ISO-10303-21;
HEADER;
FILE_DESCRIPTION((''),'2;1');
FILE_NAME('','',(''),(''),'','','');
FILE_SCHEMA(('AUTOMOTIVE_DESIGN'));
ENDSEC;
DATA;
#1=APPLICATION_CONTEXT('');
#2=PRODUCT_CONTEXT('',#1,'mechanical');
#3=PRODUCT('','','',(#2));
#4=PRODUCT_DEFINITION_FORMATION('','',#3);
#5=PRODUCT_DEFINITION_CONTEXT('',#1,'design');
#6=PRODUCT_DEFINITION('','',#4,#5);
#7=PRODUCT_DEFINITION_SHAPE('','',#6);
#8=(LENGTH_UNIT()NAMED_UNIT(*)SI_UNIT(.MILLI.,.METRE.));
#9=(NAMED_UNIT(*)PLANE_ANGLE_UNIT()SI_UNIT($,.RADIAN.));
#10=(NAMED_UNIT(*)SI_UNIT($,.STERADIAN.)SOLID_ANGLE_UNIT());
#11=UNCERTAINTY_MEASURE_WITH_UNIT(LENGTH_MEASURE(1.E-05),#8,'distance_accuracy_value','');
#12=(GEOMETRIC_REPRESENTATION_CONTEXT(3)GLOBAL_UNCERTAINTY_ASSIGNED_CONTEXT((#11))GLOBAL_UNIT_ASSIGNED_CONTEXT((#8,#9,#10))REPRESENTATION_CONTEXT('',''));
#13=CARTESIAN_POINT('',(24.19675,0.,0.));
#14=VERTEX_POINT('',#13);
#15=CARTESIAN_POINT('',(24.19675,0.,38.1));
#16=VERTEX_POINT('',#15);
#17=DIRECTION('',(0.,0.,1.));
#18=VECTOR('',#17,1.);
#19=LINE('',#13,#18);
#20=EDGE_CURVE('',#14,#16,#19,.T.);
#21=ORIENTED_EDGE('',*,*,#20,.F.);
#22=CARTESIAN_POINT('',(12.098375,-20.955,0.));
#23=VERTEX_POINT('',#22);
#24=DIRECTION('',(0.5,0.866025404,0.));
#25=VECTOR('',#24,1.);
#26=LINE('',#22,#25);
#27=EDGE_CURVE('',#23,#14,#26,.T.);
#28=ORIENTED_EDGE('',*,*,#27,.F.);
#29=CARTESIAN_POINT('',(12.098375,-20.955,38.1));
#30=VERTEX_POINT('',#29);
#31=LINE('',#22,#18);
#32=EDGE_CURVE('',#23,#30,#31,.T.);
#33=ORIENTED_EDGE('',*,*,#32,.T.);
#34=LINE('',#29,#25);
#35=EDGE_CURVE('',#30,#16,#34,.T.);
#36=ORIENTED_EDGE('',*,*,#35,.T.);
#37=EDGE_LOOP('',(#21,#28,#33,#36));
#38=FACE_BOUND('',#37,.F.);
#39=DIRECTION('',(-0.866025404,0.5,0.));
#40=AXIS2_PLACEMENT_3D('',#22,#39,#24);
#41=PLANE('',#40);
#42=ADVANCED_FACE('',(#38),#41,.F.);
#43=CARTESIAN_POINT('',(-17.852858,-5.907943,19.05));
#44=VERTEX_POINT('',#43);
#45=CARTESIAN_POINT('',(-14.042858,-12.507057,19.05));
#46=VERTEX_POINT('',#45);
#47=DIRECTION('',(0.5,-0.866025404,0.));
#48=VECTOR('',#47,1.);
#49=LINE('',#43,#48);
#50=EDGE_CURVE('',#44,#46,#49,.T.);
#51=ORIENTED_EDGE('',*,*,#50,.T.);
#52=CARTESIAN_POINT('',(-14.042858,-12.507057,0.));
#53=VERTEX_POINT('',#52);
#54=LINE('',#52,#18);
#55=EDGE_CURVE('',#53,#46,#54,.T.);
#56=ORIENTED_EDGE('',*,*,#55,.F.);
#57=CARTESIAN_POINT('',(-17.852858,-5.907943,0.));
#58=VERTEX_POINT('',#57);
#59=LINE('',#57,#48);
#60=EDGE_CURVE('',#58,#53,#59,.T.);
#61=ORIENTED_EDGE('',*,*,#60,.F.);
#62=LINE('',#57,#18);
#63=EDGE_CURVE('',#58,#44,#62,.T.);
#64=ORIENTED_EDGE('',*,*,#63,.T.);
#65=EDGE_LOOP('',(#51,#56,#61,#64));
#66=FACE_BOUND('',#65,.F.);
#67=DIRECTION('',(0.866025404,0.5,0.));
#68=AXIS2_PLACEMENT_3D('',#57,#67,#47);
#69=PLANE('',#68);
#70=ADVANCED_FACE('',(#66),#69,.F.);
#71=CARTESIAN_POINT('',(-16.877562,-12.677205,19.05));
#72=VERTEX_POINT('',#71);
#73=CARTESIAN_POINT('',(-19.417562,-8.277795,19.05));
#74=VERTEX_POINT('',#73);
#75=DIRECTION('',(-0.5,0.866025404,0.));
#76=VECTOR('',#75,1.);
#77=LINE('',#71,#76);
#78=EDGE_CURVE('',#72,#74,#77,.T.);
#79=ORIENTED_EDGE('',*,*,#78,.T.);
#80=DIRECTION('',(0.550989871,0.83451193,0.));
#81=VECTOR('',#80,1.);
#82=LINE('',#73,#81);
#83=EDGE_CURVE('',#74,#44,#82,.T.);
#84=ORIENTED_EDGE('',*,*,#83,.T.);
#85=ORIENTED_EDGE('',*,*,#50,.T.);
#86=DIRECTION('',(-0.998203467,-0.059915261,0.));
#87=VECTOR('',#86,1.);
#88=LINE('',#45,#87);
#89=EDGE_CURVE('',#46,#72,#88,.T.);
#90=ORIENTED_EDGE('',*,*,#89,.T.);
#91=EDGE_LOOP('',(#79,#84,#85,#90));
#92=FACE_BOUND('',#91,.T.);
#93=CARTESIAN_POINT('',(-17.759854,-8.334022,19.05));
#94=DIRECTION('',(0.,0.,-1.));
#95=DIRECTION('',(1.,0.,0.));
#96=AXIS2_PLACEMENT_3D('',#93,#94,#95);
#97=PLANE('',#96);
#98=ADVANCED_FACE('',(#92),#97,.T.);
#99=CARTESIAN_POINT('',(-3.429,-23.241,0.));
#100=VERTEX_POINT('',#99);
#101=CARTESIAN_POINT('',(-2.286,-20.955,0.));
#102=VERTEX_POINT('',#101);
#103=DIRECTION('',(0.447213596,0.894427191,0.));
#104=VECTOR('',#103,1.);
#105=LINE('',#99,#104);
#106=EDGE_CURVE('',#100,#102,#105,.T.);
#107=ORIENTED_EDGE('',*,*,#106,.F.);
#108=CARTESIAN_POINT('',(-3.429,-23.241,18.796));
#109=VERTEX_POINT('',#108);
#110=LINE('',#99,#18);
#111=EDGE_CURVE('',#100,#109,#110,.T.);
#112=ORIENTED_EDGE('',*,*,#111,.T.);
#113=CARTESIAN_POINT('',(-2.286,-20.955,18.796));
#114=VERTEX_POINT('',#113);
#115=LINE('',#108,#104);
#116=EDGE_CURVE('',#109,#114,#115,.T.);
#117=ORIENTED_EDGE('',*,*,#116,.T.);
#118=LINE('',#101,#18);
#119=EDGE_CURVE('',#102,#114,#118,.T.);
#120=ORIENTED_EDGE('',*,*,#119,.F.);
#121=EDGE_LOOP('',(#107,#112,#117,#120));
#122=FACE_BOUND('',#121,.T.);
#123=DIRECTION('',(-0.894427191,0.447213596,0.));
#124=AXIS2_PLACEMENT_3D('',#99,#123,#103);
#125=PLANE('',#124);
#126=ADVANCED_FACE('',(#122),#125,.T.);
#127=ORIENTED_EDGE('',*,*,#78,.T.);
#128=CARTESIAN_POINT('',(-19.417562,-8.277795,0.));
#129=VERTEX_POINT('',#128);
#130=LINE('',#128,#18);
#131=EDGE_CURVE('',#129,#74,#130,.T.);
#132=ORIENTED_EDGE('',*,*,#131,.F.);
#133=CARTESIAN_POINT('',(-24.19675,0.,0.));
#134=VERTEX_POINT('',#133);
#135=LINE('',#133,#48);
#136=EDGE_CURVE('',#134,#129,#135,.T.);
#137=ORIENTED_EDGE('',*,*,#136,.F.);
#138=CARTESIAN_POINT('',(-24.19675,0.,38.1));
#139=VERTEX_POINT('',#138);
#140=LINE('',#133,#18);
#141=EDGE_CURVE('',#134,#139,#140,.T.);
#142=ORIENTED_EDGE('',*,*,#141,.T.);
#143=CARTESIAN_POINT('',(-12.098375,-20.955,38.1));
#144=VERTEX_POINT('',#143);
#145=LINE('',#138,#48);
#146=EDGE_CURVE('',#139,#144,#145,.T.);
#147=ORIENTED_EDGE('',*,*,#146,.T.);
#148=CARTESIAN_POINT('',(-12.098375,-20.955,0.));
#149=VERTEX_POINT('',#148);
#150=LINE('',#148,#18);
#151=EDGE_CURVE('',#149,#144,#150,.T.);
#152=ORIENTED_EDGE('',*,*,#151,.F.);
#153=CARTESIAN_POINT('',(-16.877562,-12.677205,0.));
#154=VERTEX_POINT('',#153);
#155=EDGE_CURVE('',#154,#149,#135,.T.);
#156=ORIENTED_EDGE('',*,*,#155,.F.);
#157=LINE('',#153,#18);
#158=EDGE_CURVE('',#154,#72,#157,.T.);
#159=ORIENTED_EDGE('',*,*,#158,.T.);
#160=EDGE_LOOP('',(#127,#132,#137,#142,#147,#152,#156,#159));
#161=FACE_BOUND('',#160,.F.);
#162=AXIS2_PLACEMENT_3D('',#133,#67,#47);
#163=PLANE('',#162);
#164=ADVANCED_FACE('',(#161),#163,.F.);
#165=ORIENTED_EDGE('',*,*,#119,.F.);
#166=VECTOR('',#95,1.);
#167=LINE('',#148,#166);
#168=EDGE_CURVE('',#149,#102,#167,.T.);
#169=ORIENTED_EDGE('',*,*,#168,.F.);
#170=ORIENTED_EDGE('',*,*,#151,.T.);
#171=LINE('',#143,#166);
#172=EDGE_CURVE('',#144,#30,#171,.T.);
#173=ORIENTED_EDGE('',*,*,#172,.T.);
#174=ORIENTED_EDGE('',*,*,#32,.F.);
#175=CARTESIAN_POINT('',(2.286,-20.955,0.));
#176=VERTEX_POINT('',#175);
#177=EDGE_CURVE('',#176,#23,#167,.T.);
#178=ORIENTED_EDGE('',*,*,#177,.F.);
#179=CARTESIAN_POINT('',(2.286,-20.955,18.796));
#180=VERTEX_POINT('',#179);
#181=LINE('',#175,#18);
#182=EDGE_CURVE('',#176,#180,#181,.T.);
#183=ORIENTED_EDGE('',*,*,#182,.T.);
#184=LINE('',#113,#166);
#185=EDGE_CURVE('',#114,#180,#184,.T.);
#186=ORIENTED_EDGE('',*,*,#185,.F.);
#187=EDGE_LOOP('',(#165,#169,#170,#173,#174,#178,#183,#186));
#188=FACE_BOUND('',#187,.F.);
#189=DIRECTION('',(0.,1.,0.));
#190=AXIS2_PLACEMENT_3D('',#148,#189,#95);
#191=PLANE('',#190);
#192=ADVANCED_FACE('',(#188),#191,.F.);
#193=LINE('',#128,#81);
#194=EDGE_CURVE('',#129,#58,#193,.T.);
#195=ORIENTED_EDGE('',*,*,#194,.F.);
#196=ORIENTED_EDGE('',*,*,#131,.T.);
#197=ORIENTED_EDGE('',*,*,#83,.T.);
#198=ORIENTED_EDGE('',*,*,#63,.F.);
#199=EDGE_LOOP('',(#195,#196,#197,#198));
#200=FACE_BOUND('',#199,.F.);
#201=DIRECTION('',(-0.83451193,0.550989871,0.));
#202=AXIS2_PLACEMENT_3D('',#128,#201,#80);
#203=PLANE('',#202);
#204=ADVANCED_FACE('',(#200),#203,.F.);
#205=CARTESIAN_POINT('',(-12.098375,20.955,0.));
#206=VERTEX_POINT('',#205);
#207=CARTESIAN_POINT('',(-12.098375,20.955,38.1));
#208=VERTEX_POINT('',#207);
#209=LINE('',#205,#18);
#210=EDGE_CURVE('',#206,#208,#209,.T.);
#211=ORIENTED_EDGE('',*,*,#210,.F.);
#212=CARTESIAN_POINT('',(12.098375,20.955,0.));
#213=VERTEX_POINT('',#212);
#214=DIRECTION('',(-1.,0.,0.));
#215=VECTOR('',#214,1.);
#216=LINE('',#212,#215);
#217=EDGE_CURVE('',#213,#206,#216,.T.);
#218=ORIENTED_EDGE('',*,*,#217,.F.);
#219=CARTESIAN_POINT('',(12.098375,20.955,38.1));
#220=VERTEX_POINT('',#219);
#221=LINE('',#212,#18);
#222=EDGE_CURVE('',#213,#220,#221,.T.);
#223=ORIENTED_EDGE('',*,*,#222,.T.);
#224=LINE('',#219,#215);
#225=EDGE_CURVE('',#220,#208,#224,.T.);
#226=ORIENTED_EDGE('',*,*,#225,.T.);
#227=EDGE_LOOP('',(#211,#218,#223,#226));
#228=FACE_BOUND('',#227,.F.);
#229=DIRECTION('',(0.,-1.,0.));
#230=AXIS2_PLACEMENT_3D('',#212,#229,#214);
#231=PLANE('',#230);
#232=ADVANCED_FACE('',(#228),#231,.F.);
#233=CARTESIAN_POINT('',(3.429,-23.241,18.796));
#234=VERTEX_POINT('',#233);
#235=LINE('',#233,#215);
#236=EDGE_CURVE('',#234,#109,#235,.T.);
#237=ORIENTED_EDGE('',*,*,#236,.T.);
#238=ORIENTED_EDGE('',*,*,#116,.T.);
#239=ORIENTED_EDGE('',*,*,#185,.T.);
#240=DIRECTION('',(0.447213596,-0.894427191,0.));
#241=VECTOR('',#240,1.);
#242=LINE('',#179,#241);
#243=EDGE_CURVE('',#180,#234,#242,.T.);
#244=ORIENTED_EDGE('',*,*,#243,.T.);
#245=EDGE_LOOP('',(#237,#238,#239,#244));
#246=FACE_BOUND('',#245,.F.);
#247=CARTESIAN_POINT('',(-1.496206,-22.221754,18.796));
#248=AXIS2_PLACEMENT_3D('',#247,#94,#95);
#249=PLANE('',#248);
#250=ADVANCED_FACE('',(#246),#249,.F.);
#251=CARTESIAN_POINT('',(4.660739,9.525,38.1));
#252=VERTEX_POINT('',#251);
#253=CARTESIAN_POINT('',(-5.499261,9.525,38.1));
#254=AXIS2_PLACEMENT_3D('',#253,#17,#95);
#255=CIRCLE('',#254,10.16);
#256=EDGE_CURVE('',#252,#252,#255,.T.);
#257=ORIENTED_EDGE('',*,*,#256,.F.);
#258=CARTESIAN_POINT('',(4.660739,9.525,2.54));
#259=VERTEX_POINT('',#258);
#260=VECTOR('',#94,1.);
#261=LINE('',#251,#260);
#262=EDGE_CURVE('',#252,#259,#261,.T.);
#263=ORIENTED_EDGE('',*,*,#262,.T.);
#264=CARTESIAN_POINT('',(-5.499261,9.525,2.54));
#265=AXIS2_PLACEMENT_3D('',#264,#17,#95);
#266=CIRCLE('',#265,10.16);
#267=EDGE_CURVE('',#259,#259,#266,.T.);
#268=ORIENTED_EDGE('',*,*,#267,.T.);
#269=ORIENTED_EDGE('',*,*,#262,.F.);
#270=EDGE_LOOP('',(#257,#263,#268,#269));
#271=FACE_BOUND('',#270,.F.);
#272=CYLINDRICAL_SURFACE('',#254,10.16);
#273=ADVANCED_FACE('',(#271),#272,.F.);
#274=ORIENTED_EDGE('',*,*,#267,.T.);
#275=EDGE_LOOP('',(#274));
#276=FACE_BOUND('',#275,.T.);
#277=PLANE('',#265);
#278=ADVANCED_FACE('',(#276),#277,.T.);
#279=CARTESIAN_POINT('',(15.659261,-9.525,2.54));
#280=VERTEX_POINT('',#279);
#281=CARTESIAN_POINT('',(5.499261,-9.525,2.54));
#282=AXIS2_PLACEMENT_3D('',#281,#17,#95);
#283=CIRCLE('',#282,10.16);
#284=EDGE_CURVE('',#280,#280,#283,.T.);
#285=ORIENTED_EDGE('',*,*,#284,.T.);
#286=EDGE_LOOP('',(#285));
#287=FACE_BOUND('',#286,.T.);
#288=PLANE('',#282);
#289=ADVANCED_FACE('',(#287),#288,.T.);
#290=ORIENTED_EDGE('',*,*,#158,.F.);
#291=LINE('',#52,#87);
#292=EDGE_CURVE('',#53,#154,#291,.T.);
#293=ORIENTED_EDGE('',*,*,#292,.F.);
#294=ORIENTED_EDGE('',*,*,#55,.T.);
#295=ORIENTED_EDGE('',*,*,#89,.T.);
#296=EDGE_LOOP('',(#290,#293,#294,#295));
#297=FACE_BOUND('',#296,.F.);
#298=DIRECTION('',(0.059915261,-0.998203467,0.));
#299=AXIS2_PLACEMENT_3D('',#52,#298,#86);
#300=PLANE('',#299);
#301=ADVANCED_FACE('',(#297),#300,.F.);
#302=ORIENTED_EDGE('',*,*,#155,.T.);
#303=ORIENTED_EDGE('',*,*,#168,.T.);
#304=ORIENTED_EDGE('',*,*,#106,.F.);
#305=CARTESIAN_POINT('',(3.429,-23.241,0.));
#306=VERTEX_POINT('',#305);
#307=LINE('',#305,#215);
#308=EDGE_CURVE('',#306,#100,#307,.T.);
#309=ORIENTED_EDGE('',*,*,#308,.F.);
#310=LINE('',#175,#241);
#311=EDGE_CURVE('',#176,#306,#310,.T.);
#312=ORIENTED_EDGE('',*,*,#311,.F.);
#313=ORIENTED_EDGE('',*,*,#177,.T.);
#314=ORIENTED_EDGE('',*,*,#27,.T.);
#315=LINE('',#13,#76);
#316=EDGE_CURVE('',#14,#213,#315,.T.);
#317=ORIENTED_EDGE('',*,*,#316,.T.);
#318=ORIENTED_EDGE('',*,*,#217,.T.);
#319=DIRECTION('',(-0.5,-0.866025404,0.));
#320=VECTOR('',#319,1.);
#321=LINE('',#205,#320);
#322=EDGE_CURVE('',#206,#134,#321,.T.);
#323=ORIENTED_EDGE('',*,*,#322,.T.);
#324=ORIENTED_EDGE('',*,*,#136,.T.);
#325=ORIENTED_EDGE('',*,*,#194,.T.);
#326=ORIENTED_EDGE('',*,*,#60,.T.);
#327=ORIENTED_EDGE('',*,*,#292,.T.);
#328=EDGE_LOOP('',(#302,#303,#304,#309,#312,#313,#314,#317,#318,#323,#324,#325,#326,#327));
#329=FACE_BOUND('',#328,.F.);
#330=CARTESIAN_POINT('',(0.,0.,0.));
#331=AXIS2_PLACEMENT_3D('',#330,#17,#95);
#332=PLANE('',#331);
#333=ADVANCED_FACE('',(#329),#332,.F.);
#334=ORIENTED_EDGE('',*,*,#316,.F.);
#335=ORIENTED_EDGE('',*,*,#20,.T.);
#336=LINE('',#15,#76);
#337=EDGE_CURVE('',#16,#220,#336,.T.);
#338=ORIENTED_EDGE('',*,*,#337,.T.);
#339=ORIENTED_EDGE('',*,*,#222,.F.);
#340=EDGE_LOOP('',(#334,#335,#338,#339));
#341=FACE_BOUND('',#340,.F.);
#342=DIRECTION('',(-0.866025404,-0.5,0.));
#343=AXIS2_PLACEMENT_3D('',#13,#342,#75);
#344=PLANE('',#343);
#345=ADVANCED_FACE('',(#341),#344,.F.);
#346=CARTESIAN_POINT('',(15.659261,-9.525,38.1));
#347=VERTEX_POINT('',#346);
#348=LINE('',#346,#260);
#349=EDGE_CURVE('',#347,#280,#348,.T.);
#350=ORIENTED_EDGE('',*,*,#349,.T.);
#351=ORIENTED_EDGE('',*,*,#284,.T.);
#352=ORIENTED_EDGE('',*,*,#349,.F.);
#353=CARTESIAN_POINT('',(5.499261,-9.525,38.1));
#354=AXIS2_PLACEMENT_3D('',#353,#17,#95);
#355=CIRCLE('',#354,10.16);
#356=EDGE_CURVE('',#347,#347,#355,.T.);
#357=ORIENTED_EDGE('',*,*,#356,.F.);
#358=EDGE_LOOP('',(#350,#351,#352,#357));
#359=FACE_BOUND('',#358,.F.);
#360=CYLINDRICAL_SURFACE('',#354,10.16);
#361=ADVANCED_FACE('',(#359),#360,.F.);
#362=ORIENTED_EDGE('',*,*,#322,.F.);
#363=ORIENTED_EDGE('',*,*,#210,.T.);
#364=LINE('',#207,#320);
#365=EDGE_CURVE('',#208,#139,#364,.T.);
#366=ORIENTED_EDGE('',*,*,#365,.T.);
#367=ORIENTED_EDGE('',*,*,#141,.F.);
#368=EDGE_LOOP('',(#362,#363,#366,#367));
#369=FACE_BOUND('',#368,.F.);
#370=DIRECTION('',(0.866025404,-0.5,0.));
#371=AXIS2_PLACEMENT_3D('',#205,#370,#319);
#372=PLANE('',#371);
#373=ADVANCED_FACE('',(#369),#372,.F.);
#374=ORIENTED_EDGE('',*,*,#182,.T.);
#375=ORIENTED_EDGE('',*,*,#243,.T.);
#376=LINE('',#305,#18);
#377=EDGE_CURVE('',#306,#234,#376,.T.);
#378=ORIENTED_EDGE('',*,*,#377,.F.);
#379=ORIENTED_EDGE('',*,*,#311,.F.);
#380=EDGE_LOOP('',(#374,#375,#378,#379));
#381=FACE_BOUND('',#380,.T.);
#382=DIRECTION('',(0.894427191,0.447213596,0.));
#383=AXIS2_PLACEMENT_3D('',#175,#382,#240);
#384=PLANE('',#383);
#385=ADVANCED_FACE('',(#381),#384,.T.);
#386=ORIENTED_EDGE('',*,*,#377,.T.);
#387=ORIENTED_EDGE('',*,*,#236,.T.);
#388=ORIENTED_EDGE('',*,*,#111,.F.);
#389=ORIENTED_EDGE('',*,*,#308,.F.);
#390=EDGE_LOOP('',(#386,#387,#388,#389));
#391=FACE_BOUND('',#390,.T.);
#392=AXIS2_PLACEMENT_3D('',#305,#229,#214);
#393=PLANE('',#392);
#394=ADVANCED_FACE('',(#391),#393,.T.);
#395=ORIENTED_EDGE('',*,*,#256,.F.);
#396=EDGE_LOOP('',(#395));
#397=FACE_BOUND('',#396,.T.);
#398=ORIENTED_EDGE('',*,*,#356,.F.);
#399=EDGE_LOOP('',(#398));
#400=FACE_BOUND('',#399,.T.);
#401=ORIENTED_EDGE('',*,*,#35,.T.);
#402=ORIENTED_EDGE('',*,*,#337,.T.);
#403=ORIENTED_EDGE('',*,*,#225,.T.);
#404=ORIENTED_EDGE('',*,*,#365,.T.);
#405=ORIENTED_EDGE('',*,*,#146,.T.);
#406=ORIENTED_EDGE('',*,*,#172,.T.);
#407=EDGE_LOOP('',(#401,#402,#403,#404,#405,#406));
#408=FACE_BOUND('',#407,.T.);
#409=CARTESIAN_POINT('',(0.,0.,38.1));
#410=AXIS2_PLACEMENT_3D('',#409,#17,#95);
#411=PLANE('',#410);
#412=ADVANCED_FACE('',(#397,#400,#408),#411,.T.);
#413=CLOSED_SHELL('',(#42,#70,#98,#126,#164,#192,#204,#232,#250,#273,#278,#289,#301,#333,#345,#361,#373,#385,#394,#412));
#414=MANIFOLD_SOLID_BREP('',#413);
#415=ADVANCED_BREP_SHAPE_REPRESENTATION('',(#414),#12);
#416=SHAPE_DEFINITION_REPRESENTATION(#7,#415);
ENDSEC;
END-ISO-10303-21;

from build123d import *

# Parameters (mm, degrees)
F1_DEPTH = 38.1
F2_R     = 10.16
F3_DEPTH = 35.56
F5_DEPTH = 19.05
F7_DEPTH = 18.796


with BuildPart() as f1:
    # F0 (on Top) → F1 (new body)
    with BuildSketch(Plane.XY):
        Polygon((-12.0983748909, -20.955), (12.0983748909, -20.955), (24.1967497817, 0), (12.0983748909, 20.955), (-12.0983748909, 20.955), (-24.1967497817, 0), align=None)
    extrude(amount=F1_DEPTH)

    # F2 (on face) → F3 (cut)
    with BuildSketch(Plane.XY.offset(38.1)):
        with Locations((-5.499261314, 9.525)):
            Circle(F2_R)
        with Locations((5.499261314, -9.525)):
            Circle(F2_R)
    extrude(amount=-F3_DEPTH, mode=Mode.SUBTRACT)

    # F4 (on face) → F5 (cut)
    with BuildSketch(Plane(origin=(0, 0, 0), x_dir=(1, 0, 0), z_dir=(0, 0, -1))):
        Polygon((-15.9478578107, 9.2075), (-18.1475623363, 10.4775), (-19.4175623363, 8.2777954744), (-17.8528578107, 5.9079432116), align=None)
        Polygon((-16.8775623363, 12.6772045256), (-18.1475623363, 10.4775), (-15.9478578107, 9.2075), (-14.0428578107, 12.5070567884), align=None)
    extrude(amount=-F5_DEPTH, mode=Mode.SUBTRACT)

    # F6 (on face) → F7 (join)
    with BuildSketch(Plane(origin=(0, 0, 0), x_dir=(1, 0, 0), z_dir=(0, 0, -1))):
        Polygon((-2.286, 20.955), (0, 20.955), (0, 23.241), (-3.429, 23.241), align=None)
        Polygon((0, 23.241), (0, 20.955), (2.286, 20.955), (3.429, 23.241), align=None)
    extrude(amount=-F7_DEPTH)


solid = f1.part
